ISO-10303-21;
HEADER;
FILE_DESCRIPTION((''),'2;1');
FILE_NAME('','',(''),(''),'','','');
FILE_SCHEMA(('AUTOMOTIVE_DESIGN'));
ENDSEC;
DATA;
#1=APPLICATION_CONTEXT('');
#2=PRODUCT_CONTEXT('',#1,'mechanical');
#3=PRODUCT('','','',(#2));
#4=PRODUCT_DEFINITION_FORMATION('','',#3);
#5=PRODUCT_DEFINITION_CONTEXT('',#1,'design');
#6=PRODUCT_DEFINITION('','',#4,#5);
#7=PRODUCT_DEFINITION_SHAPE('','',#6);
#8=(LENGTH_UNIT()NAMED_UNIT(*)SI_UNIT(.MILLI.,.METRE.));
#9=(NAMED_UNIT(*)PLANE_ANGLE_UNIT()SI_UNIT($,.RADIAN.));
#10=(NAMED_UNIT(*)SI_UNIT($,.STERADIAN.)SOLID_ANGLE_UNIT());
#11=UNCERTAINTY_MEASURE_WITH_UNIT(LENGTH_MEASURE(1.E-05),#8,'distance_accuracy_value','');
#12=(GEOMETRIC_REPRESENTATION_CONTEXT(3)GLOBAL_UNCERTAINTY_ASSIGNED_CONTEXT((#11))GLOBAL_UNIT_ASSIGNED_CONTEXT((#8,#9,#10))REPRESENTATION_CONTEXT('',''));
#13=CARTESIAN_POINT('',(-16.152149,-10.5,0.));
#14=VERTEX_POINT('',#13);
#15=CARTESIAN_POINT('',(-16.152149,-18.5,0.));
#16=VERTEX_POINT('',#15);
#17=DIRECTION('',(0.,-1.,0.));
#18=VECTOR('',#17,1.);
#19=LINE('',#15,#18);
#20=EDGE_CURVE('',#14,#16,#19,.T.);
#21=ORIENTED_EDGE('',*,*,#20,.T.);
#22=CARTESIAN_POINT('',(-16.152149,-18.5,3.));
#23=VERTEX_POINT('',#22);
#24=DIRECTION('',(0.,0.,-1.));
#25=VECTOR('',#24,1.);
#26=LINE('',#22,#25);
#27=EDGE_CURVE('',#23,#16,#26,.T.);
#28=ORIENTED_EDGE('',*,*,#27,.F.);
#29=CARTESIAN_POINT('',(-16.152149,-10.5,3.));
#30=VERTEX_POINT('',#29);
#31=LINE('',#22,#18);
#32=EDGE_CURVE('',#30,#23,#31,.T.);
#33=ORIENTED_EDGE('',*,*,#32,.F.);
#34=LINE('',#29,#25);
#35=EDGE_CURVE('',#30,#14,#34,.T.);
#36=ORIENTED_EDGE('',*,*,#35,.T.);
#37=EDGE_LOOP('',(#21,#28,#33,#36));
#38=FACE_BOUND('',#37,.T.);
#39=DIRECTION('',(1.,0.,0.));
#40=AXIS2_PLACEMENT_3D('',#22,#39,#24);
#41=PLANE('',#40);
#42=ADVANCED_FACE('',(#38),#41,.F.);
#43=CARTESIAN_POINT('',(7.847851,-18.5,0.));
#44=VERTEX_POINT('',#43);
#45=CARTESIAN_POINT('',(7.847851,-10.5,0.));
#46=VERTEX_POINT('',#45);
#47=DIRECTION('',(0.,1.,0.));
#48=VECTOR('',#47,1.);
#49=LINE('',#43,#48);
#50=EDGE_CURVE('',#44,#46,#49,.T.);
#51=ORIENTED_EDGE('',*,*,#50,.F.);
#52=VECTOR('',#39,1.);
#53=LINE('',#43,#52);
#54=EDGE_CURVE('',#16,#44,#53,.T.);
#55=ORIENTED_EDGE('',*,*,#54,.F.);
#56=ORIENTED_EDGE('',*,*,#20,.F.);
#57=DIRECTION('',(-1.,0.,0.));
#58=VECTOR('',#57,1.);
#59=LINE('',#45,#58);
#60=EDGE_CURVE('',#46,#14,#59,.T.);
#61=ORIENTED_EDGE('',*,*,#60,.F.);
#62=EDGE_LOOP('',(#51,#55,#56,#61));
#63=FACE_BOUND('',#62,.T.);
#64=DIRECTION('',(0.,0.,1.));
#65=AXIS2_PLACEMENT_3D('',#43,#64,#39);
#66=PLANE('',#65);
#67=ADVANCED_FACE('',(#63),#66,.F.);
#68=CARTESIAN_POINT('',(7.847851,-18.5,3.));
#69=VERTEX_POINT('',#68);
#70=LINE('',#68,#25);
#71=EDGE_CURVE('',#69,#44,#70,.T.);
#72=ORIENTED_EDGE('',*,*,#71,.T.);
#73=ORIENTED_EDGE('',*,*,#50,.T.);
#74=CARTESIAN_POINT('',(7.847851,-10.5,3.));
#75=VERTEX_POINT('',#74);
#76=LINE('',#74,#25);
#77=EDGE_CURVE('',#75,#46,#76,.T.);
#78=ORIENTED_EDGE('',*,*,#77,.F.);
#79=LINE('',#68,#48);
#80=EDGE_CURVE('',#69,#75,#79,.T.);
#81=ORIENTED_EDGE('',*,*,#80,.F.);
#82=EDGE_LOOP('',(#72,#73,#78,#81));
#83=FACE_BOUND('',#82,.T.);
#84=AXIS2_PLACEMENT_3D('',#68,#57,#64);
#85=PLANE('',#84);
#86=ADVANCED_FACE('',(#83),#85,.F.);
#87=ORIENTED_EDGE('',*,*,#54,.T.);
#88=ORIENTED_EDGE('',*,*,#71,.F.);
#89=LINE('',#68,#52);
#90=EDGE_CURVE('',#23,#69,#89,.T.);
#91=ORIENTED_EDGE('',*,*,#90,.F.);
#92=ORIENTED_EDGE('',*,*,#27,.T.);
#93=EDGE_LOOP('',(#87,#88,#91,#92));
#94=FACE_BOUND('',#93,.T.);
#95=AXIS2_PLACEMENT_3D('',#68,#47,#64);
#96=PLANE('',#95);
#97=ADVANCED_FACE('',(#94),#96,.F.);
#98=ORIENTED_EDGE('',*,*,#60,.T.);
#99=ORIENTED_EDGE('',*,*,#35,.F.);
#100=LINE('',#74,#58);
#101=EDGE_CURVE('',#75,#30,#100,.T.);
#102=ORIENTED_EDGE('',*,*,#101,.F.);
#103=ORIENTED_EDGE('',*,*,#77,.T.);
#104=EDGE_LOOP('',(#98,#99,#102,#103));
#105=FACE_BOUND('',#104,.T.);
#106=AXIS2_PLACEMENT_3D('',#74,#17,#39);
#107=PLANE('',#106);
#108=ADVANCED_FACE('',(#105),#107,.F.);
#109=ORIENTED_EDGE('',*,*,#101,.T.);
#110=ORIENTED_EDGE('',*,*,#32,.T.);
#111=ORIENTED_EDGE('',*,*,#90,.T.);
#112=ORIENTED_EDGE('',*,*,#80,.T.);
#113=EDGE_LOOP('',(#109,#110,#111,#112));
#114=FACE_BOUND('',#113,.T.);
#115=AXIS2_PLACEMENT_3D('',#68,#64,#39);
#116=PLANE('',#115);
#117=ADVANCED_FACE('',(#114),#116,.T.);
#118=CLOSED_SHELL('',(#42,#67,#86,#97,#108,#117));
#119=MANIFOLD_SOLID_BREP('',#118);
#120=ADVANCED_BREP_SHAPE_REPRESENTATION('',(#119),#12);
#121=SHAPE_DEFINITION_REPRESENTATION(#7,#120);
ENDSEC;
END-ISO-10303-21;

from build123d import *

# Parameters (mm, degrees)
SKETCH_1_W      = 24
SKETCH_1_H      = 8
EXTRUDE_1_DEPTH = 3


with BuildPart() as part:
    # Эскиз1 → Вытянуть1 (new body)
    with BuildSketch(Plane.XY):
        with Locations((-4.152149267, -14.5)):
            Rectangle(SKETCH_1_W, SKETCH_1_H)
    extrude(amount=EXTRUDE_1_DEPTH)


solid = part.part
